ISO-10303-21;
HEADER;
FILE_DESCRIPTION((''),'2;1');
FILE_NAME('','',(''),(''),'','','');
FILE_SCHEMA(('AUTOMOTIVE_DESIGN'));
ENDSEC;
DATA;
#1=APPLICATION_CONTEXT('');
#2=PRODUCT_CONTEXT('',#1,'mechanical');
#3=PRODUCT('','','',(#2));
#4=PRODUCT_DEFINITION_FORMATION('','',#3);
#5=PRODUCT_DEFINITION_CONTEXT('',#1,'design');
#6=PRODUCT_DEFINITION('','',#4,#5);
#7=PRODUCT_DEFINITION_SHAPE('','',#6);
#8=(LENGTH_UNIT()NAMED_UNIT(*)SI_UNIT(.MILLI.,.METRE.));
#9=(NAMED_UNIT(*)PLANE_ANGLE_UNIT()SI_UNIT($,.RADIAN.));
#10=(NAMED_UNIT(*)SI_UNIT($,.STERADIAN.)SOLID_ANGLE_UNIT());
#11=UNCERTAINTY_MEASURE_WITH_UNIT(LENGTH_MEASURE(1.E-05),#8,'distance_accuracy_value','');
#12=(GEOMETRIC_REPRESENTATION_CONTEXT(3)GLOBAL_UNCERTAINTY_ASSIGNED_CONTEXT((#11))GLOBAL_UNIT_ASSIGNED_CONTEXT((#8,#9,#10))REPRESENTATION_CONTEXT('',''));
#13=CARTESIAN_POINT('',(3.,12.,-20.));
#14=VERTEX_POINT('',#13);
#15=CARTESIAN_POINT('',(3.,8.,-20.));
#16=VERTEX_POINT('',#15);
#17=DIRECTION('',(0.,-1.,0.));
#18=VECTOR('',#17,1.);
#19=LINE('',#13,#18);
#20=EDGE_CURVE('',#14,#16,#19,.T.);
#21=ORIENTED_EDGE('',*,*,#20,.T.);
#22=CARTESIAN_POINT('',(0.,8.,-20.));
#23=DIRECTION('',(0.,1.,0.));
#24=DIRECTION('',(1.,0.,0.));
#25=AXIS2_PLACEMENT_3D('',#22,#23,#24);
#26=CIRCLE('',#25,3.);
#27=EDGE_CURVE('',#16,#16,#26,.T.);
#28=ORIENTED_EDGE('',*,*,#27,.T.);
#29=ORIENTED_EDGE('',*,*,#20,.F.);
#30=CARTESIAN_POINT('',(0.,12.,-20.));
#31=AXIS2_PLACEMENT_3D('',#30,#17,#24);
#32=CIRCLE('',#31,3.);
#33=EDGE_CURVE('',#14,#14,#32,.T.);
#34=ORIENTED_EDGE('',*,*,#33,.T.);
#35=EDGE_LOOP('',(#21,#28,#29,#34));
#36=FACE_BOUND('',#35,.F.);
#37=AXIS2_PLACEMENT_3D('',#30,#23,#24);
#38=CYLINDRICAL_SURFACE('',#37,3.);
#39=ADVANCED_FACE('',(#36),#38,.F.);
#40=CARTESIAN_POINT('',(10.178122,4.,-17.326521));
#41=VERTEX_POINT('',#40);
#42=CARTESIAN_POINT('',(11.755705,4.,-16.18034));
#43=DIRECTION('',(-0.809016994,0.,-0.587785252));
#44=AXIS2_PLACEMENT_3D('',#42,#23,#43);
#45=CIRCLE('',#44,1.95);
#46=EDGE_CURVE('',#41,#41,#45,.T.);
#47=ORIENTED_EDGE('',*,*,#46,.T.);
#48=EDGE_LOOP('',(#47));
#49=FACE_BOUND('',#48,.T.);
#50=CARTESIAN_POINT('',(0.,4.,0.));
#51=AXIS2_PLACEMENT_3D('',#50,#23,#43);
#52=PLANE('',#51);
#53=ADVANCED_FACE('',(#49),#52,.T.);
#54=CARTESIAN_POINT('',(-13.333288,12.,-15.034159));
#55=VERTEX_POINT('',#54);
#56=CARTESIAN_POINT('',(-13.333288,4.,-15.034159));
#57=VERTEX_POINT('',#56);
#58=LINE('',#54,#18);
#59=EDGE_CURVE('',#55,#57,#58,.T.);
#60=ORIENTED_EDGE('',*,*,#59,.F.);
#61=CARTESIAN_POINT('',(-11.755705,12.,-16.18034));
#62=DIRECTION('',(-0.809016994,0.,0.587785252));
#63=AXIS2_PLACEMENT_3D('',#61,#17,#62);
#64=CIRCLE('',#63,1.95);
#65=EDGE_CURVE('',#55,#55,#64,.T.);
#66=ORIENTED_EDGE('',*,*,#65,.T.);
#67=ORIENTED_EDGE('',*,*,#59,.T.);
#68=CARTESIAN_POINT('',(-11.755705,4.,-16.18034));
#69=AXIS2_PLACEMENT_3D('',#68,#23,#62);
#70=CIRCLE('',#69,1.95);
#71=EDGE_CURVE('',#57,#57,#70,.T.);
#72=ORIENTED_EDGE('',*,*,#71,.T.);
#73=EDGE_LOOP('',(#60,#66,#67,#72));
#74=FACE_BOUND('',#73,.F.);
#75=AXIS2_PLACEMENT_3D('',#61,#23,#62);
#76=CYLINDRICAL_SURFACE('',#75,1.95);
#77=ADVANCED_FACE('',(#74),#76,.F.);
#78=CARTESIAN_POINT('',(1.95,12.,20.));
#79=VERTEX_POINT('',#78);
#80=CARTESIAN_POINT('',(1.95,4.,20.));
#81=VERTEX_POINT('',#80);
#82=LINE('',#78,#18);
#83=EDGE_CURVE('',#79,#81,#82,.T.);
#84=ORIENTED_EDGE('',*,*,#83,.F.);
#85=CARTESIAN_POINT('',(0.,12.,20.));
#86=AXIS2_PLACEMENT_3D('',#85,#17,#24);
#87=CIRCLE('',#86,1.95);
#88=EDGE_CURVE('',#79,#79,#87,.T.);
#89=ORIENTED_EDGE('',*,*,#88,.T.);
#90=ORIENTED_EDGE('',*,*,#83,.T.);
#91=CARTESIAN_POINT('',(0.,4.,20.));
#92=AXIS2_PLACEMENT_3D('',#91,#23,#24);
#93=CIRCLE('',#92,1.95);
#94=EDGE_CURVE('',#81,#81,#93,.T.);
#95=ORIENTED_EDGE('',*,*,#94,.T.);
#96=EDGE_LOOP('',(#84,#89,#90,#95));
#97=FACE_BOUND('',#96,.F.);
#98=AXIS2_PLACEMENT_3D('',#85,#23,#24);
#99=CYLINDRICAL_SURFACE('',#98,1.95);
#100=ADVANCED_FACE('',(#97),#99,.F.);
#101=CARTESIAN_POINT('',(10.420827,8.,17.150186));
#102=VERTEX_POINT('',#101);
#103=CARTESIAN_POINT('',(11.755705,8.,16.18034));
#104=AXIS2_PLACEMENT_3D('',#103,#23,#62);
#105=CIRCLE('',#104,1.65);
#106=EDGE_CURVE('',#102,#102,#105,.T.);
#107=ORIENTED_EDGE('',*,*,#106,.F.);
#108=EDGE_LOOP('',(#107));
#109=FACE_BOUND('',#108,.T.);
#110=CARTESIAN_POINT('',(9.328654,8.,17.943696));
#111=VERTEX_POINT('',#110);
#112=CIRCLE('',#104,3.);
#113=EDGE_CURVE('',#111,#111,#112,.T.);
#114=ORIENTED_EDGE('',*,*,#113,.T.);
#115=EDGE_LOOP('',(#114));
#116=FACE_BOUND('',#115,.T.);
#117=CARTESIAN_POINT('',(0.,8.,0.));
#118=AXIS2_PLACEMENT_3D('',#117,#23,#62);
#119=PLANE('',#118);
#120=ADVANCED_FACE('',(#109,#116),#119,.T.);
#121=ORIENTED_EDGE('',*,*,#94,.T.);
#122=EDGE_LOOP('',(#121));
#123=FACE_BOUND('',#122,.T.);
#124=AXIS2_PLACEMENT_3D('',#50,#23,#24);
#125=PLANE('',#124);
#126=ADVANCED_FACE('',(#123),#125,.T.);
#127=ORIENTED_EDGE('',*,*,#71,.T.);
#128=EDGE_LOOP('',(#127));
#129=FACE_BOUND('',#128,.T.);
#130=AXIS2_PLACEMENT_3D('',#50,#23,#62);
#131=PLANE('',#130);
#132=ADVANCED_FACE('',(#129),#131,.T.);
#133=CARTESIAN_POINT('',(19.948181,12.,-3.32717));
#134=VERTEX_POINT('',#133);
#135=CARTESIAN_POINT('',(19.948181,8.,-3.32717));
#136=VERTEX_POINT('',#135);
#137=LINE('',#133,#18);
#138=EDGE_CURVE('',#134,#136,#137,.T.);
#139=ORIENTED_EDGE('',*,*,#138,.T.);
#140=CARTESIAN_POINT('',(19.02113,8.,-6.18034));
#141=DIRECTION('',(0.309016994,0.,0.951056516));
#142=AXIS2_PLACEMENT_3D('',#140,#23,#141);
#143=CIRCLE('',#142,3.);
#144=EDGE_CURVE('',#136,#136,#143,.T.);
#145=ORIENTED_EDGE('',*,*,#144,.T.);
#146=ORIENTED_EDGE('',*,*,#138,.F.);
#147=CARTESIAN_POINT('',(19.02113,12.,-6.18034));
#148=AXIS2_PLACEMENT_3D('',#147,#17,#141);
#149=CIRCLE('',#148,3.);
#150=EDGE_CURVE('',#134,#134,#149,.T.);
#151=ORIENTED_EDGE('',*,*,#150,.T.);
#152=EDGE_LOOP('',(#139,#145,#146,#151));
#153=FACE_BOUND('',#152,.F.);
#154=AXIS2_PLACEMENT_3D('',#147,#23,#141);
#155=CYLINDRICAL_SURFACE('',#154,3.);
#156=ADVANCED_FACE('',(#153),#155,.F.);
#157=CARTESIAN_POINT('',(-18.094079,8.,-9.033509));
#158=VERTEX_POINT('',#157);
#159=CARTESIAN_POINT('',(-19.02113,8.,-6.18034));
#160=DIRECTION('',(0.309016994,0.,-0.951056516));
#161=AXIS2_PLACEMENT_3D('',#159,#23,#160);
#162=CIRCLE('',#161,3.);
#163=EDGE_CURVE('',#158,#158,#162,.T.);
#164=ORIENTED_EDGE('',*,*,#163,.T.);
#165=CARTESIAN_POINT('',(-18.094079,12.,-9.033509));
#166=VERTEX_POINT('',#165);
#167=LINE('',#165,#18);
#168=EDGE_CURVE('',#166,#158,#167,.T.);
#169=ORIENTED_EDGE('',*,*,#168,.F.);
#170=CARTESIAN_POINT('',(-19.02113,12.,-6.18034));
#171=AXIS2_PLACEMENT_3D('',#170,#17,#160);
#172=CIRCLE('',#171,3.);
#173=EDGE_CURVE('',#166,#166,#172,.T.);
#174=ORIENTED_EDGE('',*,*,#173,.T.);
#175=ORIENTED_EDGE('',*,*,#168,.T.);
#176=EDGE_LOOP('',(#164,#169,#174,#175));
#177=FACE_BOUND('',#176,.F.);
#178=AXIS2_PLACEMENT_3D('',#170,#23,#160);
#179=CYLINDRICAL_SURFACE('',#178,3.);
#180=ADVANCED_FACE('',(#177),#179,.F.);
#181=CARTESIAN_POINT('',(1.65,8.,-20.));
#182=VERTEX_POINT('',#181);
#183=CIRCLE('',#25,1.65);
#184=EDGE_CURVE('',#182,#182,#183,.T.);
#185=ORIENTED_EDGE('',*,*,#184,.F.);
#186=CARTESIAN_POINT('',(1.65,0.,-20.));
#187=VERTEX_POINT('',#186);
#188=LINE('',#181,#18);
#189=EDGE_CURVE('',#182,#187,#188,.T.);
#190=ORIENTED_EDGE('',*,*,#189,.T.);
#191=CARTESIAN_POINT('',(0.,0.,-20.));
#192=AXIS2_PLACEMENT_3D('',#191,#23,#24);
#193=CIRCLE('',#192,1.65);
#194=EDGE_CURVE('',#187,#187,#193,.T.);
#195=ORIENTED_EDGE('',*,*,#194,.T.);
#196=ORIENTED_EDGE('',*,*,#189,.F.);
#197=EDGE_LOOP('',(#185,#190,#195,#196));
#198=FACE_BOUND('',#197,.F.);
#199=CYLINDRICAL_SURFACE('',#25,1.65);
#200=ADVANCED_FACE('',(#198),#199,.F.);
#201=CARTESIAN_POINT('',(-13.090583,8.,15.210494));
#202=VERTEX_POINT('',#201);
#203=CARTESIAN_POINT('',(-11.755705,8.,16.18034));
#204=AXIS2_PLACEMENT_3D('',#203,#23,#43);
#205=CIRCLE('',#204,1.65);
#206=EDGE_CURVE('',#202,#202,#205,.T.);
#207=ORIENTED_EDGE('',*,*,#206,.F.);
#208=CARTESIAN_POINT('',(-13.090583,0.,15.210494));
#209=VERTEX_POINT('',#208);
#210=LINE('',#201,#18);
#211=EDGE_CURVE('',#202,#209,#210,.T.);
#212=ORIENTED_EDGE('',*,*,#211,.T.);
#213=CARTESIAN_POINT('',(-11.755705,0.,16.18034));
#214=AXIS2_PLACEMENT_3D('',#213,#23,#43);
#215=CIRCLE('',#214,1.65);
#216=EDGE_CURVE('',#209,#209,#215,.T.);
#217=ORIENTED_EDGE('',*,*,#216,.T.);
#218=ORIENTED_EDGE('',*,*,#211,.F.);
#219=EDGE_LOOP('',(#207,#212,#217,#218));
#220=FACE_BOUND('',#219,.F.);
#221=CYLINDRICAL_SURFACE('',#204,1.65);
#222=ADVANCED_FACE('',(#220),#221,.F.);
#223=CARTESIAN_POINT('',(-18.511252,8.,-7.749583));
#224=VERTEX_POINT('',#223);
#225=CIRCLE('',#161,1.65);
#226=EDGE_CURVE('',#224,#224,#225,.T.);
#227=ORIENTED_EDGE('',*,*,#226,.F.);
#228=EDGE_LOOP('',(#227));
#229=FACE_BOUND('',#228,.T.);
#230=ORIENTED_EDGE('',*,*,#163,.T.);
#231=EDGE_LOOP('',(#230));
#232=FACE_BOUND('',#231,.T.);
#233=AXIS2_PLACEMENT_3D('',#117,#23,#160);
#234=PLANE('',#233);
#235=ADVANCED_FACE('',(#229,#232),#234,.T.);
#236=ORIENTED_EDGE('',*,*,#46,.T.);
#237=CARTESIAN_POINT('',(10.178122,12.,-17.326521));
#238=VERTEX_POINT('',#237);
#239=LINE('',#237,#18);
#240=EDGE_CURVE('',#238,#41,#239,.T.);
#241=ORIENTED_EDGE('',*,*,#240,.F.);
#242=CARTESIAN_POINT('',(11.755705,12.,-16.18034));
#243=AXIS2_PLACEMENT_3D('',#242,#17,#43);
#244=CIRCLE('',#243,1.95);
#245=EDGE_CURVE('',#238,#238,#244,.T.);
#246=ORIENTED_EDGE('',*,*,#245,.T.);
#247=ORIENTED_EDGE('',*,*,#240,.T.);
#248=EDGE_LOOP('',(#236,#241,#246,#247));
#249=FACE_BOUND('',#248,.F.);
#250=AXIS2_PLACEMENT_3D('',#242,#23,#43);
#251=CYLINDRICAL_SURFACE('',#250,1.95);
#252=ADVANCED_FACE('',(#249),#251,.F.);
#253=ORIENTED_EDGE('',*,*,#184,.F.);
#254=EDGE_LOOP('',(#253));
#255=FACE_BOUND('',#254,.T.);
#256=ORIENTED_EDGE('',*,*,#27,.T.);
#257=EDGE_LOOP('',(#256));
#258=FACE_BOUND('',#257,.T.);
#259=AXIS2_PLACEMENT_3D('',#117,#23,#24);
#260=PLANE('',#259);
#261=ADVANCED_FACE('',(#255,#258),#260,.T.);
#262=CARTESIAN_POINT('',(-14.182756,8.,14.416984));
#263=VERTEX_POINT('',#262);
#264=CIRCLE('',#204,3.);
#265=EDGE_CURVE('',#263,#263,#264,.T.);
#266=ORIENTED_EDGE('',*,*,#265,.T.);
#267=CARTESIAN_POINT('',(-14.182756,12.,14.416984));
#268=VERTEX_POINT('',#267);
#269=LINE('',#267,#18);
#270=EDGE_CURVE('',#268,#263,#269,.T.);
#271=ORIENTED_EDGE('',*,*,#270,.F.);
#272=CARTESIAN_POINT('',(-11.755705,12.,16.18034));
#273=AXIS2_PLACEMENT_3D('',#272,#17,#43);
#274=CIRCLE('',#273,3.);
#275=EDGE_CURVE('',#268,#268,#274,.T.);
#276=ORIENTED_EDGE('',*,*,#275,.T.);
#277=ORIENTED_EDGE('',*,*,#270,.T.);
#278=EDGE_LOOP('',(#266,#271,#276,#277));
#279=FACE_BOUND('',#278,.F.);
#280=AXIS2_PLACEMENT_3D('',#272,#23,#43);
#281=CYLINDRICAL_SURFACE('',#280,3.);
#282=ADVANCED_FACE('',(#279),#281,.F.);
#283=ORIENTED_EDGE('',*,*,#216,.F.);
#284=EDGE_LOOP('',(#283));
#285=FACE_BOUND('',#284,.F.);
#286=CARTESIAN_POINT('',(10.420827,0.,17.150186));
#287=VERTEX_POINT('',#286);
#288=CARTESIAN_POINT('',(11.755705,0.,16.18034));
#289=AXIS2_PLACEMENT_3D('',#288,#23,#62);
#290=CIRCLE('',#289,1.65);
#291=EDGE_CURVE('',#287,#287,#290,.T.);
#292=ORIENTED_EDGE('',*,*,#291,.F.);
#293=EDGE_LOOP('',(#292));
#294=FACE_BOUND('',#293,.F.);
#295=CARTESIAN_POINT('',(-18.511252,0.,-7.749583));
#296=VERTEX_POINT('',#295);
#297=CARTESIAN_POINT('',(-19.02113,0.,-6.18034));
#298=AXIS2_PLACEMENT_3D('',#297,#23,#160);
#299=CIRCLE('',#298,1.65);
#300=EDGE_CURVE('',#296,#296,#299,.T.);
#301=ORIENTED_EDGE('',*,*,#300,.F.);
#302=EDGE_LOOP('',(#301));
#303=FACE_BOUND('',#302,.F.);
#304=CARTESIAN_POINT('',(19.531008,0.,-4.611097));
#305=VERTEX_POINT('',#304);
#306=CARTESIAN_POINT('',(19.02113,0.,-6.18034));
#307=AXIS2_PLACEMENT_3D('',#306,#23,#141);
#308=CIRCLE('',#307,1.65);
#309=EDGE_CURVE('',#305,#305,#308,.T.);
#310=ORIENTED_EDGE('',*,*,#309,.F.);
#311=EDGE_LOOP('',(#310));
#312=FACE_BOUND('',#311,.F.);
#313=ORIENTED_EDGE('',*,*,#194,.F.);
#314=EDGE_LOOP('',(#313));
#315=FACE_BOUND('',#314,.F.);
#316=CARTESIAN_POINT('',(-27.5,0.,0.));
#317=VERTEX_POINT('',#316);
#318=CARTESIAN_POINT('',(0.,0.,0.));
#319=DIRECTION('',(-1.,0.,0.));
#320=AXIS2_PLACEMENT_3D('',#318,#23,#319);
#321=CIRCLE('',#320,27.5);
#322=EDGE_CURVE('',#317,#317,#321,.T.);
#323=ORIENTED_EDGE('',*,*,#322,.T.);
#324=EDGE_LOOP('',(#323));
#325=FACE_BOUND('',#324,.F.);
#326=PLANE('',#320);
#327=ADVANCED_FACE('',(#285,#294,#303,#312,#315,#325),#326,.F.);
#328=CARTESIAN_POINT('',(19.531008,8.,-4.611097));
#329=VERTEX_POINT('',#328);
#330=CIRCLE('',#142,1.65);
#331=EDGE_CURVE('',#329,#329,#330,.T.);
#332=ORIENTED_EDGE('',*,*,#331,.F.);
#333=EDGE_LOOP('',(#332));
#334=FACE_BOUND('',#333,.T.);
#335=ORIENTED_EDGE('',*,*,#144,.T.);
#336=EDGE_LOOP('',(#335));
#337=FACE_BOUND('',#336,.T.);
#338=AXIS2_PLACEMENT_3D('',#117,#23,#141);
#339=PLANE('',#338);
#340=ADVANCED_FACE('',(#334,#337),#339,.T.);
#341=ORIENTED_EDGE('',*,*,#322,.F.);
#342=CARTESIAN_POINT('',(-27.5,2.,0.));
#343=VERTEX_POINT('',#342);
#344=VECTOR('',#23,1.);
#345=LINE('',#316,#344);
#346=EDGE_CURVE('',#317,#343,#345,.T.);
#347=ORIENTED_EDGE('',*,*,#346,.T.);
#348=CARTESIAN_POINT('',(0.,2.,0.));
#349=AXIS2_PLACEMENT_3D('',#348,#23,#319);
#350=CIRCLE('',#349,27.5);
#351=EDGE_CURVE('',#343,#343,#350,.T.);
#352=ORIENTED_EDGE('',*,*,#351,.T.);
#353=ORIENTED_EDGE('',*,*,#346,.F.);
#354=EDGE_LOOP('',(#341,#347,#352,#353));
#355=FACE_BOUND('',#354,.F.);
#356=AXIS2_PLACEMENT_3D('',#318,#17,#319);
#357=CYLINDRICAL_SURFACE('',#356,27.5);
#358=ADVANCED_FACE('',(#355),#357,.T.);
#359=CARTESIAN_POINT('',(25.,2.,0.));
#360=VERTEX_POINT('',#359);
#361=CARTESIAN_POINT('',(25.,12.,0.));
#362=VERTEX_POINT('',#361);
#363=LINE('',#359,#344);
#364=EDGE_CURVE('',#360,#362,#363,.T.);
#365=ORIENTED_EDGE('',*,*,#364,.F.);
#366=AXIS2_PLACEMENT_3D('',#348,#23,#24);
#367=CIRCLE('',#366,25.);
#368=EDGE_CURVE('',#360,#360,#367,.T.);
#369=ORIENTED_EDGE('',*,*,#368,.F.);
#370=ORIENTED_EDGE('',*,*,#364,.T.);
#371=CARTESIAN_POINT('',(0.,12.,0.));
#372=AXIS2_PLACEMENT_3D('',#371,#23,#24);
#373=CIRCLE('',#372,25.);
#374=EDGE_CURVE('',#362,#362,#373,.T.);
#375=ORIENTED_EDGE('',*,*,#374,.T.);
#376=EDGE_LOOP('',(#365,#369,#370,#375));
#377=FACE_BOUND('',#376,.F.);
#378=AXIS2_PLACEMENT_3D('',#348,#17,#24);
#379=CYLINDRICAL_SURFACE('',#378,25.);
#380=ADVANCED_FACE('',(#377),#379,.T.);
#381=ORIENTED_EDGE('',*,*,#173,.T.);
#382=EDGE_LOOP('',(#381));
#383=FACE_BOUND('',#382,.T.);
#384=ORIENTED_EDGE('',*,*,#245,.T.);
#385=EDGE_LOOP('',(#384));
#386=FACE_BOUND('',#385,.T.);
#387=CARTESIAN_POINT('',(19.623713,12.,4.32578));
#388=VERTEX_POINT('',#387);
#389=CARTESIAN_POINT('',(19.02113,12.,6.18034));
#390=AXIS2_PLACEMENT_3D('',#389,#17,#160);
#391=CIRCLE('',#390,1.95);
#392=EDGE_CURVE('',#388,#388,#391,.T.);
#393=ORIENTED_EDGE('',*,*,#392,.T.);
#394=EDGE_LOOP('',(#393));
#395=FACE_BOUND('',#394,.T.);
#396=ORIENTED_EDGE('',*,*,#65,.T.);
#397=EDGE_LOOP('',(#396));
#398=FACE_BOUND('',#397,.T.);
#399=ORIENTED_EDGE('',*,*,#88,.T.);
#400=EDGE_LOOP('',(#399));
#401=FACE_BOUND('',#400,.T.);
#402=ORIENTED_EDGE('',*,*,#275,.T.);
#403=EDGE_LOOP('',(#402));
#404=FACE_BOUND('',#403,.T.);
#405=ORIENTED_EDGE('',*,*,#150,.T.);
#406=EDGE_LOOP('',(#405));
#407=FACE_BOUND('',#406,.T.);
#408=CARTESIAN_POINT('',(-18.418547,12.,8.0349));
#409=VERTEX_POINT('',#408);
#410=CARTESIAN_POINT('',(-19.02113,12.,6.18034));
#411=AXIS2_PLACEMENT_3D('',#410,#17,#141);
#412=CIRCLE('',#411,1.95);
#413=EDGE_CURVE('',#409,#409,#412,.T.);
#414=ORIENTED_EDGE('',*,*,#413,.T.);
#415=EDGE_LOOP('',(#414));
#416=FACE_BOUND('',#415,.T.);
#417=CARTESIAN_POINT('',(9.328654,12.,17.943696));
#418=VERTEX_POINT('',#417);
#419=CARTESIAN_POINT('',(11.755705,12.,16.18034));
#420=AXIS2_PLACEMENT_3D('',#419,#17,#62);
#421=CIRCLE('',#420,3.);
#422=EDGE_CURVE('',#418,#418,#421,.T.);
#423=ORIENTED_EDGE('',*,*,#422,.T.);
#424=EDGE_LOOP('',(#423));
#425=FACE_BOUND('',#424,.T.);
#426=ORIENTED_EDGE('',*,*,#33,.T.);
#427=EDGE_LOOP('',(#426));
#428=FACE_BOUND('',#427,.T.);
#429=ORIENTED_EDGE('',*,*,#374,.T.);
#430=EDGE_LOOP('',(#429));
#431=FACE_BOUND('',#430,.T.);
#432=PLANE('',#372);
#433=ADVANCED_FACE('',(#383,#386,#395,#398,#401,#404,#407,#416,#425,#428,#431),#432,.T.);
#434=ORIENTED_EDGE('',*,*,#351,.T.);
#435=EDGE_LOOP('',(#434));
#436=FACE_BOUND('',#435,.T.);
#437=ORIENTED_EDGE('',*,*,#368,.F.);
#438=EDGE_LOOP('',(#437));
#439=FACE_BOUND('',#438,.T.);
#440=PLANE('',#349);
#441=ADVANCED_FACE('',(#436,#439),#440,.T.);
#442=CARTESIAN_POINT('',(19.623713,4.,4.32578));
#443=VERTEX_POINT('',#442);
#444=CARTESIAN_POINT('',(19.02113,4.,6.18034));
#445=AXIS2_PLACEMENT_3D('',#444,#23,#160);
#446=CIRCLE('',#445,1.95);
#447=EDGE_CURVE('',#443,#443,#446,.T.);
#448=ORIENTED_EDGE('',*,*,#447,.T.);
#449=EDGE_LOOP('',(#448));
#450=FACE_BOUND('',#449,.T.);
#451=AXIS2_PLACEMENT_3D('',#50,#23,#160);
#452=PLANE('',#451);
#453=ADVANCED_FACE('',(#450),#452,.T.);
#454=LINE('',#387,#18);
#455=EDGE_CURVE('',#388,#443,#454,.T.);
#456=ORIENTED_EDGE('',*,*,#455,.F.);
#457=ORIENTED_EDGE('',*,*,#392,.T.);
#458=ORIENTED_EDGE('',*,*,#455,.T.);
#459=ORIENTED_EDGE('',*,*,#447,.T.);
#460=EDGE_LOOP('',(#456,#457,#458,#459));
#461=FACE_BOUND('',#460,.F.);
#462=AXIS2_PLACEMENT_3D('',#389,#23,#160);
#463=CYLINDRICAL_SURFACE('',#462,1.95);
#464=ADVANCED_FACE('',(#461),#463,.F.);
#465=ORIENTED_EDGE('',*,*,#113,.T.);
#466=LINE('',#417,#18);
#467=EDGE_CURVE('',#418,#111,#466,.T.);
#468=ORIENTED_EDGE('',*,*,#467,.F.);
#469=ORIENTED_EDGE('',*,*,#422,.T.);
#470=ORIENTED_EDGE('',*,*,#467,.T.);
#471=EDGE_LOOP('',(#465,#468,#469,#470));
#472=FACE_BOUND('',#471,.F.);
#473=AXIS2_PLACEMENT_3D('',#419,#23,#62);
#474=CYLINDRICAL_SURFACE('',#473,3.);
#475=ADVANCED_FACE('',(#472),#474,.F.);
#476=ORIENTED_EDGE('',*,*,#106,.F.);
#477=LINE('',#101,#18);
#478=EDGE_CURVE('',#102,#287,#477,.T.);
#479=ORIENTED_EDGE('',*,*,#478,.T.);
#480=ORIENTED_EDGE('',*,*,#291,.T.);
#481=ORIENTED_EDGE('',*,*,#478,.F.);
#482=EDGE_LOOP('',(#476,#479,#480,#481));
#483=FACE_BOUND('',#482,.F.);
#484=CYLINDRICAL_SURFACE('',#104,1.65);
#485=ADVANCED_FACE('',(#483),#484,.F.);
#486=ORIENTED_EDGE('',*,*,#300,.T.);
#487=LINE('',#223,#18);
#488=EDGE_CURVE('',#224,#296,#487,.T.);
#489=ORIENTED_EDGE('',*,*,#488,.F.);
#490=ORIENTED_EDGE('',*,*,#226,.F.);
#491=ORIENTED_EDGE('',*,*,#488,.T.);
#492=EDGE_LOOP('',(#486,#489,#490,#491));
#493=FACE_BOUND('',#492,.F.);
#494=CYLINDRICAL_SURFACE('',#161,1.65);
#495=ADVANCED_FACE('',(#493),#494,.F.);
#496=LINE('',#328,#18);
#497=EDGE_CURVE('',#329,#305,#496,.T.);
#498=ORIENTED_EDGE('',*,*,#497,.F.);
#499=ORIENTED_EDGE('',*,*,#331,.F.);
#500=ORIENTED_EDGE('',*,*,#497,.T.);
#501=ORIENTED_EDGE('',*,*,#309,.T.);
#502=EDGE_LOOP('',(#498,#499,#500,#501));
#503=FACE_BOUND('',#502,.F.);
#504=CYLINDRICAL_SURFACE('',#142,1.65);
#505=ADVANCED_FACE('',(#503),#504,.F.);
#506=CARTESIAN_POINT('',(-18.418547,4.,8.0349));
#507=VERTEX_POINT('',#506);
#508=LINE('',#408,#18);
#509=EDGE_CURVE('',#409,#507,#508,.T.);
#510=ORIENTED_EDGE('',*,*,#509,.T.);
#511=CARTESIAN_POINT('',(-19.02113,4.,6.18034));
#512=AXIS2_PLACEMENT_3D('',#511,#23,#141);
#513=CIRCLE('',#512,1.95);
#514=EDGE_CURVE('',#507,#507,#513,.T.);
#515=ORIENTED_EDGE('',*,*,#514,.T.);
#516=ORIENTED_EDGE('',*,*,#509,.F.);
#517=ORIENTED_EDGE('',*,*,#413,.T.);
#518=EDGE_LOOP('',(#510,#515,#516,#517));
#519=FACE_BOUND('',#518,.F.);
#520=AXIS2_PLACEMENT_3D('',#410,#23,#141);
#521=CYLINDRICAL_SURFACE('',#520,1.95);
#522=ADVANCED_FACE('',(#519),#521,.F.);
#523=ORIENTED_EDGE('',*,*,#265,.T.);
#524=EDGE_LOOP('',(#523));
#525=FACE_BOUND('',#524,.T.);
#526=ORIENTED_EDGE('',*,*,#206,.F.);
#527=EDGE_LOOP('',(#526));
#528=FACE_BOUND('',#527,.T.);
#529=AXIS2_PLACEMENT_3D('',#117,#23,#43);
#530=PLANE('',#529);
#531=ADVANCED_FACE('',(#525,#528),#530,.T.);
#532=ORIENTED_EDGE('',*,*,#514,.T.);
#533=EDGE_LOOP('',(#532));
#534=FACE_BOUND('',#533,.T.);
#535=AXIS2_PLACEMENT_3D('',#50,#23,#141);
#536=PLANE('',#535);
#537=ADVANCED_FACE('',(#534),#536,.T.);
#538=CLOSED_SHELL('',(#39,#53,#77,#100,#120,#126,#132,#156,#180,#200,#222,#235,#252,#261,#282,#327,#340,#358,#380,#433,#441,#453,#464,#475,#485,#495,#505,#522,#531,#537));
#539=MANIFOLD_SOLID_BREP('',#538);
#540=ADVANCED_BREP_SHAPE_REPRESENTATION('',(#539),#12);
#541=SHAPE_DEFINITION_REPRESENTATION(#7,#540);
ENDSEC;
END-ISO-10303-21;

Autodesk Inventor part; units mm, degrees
ref_plane "YZ Plane" through (0, 0, 0) normal (1, 0, 0) x (0, 1, 0)
ref_plane "XZ Plane" through (0, 0, 0) normal (0, 1, 0) x (-1, 0, 0)
ref_plane "XY Plane" through (0, 0, 0) normal (0, 0, 1) x (1, 0, 0)
sketch "Szkic4" plane through (0, 0, 0) normal (0, 1, 0) x (-1, 0, 0)
  circle A0 centre (0, 0) radius 27.5
  dimension "d13" = 55
extrude "Wyciągnięcie proste4" add sketch "Szkic4" along normal blind 2
sketch "Szkic5" plane through (0, 2, 0) normal (0, 1, 0) x (1, 0, 0)
  circle A0 centre (0, 0) radius 25
  dimension "d16" = 50
extrude "Wyciągnięcie proste5" add sketch "Szkic5" along normal blind 10
sketch "Szkic6" plane through (0, 12, 0) normal (0, 1, 0) x (1, 0, 0)
  circle A0 centre (0, 0) radius 20
  circle A1 centre (0, 20) radius 3
  dimension "d19" = 40
  dimension "d20" = 6
extrude "Wyciągnięcie proste6" cut sketch "Szkic6" against normal blind 4 contours A1 A0 | A0 A1 picked at (0, 18.9833) picked at (0.0861, 20.9796)
sketch "Szkic7" plane through (0, 8, -20) normal (0, 1, 0) x (1, 0, 0)
  circle A0 centre (0, 0) radius 1.65
  point P0 (0, -20)
  dimension "d23" = 3.3
extrude "Wyciągnięcie proste7" cut sketch "Szkic7" against normal through all
pattern_circular "Szyk kołowy2" count 5 over 360 about axis through (0, 2, 0) along (0, 1, 0) of "Wyciągnięcie proste6", "Wyciągnięcie proste7"
sketch "Szkic8" plane through (0, 12, 0) normal (0, 1, 0) x (1, 0, 0)
  circle A0 centre (0, 0) radius 20
  circle A1 centre (0, -20) radius 1.95
  dimension "d29" = 40
  dimension "d30" = 3.9
extrude "Wyciągnięcie proste8" cut sketch "Szkic8" against normal blind 8 contours A1 A0 | A0 A1 picked at (0.0759, -19.3474) picked at (0.0638, -20.6398)
pattern_circular "Szyk kołowy3" count 5 over 360 about axis through (0, 2, 0) along (0, 1, 0) of "Wyciągnięcie proste8"
properties part number "_Drukowanie 3D"
